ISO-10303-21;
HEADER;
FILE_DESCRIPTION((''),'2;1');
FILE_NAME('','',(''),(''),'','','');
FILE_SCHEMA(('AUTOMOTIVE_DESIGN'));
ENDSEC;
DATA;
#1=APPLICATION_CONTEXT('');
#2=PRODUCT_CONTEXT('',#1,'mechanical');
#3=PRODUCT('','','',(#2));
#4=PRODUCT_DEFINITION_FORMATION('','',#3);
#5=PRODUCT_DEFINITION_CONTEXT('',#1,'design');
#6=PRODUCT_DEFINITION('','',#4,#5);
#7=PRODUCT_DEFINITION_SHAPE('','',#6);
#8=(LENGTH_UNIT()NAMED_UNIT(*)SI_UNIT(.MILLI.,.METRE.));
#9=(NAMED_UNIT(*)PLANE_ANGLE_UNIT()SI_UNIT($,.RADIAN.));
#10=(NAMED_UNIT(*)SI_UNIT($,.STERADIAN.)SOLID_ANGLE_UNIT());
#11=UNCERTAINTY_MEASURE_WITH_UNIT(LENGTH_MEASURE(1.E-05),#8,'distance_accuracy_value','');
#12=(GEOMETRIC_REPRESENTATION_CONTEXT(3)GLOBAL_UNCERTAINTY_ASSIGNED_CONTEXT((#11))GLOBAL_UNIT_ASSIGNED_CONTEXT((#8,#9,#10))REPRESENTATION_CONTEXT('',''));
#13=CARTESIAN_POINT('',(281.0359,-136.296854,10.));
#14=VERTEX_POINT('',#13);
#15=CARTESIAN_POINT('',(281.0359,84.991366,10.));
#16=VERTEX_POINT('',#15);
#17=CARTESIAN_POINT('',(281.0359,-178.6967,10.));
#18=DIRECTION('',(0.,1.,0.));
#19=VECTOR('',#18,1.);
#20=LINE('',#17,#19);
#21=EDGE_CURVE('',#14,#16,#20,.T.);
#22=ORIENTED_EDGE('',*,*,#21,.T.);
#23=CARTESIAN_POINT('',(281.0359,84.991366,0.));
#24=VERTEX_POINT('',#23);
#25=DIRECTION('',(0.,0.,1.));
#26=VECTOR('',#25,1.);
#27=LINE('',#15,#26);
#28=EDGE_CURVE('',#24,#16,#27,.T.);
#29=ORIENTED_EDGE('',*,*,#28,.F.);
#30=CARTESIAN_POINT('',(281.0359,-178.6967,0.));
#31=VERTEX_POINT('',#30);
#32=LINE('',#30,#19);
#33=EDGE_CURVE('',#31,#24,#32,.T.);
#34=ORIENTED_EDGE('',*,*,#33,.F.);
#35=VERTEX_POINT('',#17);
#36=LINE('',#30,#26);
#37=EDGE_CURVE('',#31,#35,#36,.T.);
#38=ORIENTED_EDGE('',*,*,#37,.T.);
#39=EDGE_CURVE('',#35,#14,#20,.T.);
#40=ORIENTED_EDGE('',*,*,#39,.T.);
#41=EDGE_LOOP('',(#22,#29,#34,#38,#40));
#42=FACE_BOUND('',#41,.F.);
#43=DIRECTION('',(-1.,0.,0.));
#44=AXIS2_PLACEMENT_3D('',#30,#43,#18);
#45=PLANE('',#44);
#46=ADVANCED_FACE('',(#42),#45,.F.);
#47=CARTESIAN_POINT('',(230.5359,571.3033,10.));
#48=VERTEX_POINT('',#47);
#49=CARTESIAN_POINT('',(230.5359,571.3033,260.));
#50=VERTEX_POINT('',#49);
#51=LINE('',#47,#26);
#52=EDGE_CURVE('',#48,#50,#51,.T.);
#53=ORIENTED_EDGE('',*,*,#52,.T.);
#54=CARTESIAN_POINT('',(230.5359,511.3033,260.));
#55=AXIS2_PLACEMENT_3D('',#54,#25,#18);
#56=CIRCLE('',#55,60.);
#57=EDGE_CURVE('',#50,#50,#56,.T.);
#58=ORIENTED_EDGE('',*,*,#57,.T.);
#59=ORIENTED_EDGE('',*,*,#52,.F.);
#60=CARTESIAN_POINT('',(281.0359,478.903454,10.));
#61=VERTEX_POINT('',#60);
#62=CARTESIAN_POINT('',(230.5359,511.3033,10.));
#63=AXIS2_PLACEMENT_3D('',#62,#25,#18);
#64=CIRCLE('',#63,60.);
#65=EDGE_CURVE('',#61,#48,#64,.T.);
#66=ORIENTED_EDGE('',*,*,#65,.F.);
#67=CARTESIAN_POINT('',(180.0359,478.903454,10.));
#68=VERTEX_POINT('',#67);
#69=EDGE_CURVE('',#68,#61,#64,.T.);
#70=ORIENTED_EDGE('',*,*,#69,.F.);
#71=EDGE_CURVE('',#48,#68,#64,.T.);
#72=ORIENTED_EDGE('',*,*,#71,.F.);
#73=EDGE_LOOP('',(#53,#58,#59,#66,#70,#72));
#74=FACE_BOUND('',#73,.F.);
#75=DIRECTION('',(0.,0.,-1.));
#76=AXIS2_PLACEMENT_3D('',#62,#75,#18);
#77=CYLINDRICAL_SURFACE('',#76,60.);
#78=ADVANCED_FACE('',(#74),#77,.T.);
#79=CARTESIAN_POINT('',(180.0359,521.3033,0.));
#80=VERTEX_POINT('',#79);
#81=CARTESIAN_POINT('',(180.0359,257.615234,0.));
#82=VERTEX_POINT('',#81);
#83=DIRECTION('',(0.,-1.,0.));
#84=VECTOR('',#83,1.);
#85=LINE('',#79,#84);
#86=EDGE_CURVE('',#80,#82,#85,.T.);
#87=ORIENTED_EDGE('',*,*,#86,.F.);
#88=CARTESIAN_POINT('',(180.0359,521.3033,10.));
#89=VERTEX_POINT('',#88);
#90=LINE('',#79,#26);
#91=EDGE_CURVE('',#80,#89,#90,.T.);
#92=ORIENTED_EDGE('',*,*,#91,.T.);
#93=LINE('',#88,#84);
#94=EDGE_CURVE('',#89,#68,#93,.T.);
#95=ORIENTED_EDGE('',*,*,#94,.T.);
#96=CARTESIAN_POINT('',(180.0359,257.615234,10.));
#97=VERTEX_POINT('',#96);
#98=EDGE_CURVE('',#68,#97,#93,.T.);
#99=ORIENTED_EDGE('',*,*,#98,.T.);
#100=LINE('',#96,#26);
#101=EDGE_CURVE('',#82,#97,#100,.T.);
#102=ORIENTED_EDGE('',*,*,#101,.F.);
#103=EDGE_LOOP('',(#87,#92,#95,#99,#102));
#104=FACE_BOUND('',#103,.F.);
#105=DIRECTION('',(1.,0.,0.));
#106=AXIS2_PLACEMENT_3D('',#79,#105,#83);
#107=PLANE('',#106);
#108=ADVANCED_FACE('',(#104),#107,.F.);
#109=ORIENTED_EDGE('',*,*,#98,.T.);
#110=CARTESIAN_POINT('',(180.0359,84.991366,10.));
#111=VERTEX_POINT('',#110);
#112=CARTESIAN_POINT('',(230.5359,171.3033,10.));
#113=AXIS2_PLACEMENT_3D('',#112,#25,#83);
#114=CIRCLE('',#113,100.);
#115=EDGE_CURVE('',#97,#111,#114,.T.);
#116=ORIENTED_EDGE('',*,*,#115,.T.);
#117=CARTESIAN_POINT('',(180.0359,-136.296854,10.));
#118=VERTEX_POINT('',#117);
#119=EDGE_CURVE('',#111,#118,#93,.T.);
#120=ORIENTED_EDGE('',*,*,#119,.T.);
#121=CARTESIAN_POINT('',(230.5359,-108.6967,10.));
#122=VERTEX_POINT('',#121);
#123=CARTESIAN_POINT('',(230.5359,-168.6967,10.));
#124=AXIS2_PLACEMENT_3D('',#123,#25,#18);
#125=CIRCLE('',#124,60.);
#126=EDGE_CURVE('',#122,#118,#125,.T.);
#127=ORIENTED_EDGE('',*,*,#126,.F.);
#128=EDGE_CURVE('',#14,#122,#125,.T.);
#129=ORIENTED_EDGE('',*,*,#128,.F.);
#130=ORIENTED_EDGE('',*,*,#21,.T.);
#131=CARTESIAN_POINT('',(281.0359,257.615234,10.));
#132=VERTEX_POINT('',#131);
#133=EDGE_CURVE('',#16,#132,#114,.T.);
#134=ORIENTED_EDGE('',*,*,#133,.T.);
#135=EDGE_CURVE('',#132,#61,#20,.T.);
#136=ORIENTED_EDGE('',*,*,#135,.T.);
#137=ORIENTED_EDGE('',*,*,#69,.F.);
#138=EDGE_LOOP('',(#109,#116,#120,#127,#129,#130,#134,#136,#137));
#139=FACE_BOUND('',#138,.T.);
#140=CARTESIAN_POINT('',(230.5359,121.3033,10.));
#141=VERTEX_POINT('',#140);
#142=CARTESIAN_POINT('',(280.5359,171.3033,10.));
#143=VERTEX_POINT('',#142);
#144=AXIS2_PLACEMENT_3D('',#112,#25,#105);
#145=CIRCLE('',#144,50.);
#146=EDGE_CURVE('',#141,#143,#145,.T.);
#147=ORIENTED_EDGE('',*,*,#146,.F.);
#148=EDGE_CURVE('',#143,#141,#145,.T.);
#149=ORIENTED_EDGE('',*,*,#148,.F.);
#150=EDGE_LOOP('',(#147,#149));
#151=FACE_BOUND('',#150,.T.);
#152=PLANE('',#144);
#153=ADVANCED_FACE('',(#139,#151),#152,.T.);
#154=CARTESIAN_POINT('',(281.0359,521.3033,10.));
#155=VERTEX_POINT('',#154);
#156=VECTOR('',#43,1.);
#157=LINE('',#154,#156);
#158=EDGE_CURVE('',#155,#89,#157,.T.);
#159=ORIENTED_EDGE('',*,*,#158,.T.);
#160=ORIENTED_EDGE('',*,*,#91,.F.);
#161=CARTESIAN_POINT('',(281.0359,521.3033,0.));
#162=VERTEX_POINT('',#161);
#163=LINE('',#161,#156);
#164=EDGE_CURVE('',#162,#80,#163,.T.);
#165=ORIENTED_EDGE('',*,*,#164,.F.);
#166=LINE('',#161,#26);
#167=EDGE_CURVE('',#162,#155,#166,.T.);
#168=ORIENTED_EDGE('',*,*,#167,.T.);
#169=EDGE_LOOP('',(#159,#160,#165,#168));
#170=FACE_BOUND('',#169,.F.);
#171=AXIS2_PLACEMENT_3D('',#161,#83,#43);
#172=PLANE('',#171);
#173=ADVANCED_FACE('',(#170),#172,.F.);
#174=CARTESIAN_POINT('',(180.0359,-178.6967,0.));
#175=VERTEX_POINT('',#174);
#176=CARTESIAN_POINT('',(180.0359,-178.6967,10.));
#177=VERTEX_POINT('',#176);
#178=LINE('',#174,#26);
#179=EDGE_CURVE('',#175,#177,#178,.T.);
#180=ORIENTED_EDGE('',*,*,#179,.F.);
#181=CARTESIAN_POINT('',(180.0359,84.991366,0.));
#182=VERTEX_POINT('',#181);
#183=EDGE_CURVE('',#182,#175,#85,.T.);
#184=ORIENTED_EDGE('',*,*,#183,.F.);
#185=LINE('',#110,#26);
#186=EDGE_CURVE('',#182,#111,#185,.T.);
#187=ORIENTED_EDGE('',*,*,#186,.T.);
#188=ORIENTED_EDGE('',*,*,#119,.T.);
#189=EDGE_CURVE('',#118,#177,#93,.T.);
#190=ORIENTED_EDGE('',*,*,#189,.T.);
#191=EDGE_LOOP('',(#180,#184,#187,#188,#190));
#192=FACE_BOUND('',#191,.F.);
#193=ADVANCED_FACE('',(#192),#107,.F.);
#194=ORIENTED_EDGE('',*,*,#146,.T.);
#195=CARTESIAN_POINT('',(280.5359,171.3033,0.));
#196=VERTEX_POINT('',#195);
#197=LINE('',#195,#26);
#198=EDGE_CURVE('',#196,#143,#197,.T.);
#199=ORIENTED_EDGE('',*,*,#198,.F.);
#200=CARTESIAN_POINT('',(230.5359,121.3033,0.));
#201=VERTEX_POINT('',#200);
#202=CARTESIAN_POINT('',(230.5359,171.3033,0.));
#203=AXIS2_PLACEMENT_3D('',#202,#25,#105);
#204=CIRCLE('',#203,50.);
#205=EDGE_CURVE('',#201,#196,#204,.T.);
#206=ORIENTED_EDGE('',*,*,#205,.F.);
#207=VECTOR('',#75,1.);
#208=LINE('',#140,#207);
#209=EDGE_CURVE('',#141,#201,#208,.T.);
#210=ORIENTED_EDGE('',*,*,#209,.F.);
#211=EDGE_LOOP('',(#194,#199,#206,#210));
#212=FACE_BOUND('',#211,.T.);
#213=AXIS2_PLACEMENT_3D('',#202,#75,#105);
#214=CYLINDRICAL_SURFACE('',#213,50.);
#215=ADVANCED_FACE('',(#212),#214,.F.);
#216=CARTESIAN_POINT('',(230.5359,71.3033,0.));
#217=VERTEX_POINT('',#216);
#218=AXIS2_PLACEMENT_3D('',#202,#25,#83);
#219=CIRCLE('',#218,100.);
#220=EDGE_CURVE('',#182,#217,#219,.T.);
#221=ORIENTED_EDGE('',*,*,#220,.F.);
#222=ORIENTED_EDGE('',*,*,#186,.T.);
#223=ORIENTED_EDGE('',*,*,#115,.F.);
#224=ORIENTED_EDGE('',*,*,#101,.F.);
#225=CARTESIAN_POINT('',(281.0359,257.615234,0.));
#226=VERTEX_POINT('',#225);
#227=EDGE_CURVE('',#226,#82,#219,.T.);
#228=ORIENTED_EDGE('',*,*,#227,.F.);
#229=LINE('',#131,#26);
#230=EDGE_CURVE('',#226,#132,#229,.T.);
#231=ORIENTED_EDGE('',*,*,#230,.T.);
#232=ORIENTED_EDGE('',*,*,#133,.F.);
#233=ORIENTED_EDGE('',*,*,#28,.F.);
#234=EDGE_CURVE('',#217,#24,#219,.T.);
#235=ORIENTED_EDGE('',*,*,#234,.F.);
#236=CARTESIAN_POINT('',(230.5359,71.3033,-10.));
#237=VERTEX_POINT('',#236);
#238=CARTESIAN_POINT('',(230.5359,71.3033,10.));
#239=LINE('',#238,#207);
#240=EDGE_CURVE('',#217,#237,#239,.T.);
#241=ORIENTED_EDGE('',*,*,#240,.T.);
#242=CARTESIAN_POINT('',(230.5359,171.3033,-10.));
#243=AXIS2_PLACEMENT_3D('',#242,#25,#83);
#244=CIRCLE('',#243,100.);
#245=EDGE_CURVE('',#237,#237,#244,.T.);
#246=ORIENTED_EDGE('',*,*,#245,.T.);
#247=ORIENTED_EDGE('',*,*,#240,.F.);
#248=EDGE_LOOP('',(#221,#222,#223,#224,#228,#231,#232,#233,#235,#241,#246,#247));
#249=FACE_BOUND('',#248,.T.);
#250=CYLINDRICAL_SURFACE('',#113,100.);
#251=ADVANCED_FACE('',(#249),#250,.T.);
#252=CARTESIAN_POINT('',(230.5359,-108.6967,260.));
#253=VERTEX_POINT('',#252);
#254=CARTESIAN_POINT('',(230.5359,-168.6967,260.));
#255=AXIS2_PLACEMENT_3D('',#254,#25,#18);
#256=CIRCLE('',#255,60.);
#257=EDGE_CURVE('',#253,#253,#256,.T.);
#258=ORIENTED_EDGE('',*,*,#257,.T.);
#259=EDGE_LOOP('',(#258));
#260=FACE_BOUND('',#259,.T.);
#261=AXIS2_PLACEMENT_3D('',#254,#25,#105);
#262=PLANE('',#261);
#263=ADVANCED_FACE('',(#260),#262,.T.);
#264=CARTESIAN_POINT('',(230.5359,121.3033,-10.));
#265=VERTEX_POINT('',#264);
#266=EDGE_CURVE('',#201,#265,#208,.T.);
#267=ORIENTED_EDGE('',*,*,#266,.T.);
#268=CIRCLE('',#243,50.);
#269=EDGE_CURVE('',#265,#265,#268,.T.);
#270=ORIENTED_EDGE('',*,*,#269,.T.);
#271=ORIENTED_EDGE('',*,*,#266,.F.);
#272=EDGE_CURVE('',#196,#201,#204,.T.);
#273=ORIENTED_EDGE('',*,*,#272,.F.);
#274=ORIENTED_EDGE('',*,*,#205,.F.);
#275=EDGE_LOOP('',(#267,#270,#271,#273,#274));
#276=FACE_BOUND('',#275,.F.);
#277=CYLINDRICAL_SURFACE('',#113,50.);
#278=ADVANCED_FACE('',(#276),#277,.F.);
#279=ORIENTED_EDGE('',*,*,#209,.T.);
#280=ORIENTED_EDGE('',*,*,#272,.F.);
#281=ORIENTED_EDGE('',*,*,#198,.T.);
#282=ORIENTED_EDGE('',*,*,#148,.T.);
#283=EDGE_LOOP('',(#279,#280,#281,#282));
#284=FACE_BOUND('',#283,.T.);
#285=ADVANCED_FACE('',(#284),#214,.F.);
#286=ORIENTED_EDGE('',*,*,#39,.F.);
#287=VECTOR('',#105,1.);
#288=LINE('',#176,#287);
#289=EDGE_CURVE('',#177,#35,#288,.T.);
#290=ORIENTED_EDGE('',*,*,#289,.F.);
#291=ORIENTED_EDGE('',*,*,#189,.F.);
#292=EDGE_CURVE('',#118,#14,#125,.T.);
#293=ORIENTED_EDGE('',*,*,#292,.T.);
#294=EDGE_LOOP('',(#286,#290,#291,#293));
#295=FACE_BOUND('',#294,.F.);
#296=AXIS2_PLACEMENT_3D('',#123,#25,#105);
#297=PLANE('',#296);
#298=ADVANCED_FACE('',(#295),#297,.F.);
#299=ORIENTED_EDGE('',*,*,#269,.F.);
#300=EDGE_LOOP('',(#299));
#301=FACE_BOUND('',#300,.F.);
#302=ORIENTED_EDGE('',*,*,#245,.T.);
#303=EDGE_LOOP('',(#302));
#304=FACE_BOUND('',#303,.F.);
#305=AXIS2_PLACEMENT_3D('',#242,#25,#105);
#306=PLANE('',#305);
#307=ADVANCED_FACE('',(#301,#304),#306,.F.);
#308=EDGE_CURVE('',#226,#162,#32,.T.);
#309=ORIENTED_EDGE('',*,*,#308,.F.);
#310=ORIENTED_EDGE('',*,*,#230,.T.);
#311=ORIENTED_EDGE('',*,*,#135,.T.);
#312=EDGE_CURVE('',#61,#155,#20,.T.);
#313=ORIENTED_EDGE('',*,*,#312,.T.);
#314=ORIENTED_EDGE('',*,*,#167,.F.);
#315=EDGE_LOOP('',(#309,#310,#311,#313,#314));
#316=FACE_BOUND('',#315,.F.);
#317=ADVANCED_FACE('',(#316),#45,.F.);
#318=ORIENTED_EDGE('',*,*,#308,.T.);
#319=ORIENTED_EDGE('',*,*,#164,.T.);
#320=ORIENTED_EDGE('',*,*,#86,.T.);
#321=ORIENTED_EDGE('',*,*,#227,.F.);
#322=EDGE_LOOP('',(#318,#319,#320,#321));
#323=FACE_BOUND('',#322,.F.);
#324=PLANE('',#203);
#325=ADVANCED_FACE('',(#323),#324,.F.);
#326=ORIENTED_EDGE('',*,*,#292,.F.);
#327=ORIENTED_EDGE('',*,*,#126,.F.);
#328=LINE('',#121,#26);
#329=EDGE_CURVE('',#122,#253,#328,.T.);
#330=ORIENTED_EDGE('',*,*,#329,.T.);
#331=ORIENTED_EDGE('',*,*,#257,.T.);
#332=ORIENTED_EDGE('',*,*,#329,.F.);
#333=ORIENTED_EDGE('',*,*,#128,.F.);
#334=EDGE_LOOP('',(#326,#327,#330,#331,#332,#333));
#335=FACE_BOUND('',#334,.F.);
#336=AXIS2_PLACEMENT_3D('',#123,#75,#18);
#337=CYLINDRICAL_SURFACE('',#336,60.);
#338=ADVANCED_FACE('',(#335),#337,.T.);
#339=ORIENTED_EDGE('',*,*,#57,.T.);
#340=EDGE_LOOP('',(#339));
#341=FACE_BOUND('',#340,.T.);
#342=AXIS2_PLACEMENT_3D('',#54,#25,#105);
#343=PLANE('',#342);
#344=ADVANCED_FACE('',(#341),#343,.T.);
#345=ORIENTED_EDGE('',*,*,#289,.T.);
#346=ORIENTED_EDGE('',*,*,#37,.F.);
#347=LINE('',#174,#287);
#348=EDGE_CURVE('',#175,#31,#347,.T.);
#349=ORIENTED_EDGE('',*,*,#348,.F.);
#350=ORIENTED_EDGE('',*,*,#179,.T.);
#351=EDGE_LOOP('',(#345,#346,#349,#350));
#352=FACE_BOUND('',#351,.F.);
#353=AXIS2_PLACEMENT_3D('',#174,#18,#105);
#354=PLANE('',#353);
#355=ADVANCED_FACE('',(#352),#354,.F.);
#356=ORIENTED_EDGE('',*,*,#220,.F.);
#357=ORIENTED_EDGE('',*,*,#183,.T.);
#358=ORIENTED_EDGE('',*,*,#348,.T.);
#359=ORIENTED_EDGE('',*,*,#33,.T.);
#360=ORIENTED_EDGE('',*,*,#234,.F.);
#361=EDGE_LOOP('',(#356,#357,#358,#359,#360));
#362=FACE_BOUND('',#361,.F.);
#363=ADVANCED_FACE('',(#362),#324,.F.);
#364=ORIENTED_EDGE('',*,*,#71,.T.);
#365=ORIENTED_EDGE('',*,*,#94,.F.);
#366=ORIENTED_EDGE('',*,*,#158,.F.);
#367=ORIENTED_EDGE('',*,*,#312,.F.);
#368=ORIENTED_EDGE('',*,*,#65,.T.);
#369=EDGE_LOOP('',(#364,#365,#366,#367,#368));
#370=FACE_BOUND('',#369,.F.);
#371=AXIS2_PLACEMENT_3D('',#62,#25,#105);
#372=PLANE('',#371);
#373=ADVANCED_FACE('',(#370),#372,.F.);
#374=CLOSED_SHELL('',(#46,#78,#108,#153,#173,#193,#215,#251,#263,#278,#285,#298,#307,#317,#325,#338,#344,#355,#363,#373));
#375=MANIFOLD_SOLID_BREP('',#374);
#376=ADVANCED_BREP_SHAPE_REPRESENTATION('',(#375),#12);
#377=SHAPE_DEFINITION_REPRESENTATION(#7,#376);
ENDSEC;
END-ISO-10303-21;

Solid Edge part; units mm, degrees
sketch "Sketch1" plane through (0, 0, 0) normal (0, 0, 1) x (1, 0, 0)
  circle A0 centre (230.5359, 171.3033) radius 50
  line L0 (180.0359, -178.6967) -> (281.0359, -178.6967)
  line L1 (281.0359, -178.6967) -> (281.0359, 521.3033)
  line L2 (281.0359, 521.3033) -> (180.0359, 521.3033)
  line L3 (180.0359, 521.3033) -> (180.0359, -178.6967)
  dimension "D1" = 700
  dimension "D2" = 101
  dimension "D3" = 100
extrude "Protrusion1" add sketch "Sketch1" along normal blind 10
sketch "Sketch2" plane through (-51.1743, -74.6061, 10) normal (0, 0, 1) x (0, 1, 0)
  circle A0 centre (585.9094, -281.7102) radius 60
  circle A1 centre (-94.0906, -281.7102) radius 60
  dimension "D1" = 10
  dimension "D2" = 10
extrude "ExtrudedProtrusion_3" add sketch "Sketch2" along normal blind 250
sketch "Sketch3" plane through (220.0359, 121.3033, 10) normal (0, 0, 1) x (0, -1, 0)
  circle A0 centre (-50, 10.5) radius 50
  circle A1 centre (-50, 10.5) radius 100
  dimension "D1" = 200
  dimension "D2" = 100
extrude "ExtrudedProtrusion_4" add sketch "Sketch3" against normal blind 20
